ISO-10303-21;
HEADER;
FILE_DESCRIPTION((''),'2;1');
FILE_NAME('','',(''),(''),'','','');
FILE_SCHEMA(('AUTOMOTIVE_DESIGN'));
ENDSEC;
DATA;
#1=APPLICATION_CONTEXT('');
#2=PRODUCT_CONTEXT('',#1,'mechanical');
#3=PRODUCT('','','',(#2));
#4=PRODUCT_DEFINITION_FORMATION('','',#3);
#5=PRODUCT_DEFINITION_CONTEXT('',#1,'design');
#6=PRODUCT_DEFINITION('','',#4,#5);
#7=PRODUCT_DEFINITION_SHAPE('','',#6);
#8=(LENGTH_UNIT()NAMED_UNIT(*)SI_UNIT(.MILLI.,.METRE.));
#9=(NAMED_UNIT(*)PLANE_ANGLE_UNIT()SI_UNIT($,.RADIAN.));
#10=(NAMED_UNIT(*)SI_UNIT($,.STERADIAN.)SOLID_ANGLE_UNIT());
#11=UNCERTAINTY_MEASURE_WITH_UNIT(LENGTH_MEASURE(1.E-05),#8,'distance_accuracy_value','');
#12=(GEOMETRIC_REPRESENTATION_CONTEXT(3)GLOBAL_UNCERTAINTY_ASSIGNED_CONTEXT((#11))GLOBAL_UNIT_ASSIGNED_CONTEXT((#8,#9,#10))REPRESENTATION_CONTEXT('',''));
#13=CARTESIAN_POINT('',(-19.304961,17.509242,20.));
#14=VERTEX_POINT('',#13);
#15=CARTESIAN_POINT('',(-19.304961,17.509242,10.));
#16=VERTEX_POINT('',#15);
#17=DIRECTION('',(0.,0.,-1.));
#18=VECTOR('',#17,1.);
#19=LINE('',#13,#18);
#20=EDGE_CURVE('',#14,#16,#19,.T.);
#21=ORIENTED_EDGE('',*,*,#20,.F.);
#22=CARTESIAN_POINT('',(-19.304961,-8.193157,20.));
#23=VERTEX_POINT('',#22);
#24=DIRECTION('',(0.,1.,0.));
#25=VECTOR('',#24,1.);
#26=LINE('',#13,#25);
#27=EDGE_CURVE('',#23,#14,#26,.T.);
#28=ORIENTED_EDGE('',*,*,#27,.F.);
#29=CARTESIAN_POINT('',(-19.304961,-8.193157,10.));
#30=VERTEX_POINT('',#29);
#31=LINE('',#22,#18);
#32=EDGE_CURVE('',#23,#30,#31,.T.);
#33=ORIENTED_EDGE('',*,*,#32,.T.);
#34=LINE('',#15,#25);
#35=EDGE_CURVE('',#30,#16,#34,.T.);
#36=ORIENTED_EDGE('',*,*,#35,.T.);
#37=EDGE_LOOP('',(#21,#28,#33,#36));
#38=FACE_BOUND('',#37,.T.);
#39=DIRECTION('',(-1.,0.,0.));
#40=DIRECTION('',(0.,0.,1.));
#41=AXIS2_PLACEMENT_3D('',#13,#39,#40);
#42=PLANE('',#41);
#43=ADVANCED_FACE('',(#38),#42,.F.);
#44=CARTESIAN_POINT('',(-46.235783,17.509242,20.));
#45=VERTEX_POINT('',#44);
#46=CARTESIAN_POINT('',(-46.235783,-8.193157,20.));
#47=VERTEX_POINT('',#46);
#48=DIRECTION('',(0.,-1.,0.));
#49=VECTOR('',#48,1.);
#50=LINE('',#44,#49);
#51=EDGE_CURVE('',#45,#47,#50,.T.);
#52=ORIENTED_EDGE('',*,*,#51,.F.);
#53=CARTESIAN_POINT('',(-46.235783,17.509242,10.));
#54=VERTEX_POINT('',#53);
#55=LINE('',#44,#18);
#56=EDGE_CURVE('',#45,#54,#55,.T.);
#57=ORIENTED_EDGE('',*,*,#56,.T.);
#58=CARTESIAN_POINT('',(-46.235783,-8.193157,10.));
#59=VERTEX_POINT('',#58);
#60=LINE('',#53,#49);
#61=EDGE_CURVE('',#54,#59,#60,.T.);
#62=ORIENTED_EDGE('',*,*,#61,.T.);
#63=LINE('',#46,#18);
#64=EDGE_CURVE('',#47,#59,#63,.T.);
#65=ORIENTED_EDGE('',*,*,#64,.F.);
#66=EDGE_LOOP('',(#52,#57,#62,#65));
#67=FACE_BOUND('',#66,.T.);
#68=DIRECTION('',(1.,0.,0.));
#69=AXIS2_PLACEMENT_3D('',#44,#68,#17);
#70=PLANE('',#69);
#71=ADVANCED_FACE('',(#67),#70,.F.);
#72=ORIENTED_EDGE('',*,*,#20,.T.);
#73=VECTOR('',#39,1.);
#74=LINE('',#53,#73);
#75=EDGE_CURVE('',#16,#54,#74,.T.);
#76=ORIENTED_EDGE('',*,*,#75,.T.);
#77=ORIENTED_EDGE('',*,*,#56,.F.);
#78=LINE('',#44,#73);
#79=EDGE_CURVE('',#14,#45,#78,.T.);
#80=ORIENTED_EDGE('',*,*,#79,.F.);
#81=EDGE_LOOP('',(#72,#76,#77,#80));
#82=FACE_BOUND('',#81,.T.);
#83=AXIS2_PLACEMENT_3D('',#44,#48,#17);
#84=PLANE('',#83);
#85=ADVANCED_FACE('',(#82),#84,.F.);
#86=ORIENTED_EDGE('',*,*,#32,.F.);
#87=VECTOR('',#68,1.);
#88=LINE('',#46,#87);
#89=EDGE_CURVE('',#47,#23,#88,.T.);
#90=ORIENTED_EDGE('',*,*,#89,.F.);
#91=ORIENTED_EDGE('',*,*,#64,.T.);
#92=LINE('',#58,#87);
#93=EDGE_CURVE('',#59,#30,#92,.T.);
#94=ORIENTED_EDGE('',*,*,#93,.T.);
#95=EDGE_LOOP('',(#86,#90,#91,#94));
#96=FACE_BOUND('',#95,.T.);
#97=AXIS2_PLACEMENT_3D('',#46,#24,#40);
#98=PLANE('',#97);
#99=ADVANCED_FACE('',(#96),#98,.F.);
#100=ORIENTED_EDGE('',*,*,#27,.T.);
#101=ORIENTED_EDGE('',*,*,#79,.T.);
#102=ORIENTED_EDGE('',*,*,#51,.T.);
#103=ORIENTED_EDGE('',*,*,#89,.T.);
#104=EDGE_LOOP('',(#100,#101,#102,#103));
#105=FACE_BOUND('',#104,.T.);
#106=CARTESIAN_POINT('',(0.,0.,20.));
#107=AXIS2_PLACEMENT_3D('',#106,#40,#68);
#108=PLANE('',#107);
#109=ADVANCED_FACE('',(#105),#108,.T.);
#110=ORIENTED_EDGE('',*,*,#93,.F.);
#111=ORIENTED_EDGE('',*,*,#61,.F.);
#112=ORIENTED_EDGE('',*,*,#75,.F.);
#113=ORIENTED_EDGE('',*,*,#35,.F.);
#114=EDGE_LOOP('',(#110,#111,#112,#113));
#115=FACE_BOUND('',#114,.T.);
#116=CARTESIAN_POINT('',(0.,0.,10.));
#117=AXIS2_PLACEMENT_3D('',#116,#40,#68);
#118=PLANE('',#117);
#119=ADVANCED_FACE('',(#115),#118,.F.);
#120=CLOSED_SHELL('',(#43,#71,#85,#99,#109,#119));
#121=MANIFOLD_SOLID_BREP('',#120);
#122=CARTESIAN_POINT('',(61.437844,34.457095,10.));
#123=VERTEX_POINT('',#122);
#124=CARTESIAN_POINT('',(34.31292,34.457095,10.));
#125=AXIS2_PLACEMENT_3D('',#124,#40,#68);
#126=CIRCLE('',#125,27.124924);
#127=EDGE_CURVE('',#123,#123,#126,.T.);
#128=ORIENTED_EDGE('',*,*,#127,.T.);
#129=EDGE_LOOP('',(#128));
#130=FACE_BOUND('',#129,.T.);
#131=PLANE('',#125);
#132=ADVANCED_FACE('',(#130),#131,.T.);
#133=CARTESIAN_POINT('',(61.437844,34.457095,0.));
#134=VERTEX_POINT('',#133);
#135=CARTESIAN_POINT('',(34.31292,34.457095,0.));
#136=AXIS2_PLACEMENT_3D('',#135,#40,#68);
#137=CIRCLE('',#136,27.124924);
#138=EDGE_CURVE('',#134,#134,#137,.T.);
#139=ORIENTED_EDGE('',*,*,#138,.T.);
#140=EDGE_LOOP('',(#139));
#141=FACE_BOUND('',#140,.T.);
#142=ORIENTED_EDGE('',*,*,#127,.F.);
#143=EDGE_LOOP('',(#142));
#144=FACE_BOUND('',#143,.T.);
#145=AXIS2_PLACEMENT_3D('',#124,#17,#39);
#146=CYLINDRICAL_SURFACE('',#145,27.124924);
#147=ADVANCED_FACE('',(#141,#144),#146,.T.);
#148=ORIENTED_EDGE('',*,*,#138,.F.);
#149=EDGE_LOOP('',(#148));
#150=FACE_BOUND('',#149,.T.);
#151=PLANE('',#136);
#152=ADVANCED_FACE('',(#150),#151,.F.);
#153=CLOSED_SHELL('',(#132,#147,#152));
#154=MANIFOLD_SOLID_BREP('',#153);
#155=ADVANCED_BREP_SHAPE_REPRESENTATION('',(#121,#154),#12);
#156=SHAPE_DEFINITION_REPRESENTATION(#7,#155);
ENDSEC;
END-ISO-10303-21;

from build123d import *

# Parameters (mm, degrees)
SKETCH1_R           = 27.12492427
BOSS_EXTRUDE1_DEPTH = 10
SKETCH2_W           = 26.93082218
SKETCH2_H           = 25.702398712
BOSS_EXTRUDE2_DEPTH = 10


with BuildPart() as part:
    # Sketch1 → Boss-Extrude1 (new body)
    with BuildSketch(Plane.XY):
        with Locations((34.312919793, 34.457095292)):
            Circle(SKETCH1_R)
    extrude(amount=BOSS_EXTRUDE1_DEPTH)


with BuildPart() as body_2:
    # Sketch2 → Boss-Extrude2 (new body)
    with BuildSketch(Plane.XY.offset(10)):
        with Locations((-32.770372386, 4.658042558)):
            Rectangle(SKETCH2_W, SKETCH2_H)
    extrude(amount=BOSS_EXTRUDE2_DEPTH)


solid = Compound([part.part, body_2.part])
